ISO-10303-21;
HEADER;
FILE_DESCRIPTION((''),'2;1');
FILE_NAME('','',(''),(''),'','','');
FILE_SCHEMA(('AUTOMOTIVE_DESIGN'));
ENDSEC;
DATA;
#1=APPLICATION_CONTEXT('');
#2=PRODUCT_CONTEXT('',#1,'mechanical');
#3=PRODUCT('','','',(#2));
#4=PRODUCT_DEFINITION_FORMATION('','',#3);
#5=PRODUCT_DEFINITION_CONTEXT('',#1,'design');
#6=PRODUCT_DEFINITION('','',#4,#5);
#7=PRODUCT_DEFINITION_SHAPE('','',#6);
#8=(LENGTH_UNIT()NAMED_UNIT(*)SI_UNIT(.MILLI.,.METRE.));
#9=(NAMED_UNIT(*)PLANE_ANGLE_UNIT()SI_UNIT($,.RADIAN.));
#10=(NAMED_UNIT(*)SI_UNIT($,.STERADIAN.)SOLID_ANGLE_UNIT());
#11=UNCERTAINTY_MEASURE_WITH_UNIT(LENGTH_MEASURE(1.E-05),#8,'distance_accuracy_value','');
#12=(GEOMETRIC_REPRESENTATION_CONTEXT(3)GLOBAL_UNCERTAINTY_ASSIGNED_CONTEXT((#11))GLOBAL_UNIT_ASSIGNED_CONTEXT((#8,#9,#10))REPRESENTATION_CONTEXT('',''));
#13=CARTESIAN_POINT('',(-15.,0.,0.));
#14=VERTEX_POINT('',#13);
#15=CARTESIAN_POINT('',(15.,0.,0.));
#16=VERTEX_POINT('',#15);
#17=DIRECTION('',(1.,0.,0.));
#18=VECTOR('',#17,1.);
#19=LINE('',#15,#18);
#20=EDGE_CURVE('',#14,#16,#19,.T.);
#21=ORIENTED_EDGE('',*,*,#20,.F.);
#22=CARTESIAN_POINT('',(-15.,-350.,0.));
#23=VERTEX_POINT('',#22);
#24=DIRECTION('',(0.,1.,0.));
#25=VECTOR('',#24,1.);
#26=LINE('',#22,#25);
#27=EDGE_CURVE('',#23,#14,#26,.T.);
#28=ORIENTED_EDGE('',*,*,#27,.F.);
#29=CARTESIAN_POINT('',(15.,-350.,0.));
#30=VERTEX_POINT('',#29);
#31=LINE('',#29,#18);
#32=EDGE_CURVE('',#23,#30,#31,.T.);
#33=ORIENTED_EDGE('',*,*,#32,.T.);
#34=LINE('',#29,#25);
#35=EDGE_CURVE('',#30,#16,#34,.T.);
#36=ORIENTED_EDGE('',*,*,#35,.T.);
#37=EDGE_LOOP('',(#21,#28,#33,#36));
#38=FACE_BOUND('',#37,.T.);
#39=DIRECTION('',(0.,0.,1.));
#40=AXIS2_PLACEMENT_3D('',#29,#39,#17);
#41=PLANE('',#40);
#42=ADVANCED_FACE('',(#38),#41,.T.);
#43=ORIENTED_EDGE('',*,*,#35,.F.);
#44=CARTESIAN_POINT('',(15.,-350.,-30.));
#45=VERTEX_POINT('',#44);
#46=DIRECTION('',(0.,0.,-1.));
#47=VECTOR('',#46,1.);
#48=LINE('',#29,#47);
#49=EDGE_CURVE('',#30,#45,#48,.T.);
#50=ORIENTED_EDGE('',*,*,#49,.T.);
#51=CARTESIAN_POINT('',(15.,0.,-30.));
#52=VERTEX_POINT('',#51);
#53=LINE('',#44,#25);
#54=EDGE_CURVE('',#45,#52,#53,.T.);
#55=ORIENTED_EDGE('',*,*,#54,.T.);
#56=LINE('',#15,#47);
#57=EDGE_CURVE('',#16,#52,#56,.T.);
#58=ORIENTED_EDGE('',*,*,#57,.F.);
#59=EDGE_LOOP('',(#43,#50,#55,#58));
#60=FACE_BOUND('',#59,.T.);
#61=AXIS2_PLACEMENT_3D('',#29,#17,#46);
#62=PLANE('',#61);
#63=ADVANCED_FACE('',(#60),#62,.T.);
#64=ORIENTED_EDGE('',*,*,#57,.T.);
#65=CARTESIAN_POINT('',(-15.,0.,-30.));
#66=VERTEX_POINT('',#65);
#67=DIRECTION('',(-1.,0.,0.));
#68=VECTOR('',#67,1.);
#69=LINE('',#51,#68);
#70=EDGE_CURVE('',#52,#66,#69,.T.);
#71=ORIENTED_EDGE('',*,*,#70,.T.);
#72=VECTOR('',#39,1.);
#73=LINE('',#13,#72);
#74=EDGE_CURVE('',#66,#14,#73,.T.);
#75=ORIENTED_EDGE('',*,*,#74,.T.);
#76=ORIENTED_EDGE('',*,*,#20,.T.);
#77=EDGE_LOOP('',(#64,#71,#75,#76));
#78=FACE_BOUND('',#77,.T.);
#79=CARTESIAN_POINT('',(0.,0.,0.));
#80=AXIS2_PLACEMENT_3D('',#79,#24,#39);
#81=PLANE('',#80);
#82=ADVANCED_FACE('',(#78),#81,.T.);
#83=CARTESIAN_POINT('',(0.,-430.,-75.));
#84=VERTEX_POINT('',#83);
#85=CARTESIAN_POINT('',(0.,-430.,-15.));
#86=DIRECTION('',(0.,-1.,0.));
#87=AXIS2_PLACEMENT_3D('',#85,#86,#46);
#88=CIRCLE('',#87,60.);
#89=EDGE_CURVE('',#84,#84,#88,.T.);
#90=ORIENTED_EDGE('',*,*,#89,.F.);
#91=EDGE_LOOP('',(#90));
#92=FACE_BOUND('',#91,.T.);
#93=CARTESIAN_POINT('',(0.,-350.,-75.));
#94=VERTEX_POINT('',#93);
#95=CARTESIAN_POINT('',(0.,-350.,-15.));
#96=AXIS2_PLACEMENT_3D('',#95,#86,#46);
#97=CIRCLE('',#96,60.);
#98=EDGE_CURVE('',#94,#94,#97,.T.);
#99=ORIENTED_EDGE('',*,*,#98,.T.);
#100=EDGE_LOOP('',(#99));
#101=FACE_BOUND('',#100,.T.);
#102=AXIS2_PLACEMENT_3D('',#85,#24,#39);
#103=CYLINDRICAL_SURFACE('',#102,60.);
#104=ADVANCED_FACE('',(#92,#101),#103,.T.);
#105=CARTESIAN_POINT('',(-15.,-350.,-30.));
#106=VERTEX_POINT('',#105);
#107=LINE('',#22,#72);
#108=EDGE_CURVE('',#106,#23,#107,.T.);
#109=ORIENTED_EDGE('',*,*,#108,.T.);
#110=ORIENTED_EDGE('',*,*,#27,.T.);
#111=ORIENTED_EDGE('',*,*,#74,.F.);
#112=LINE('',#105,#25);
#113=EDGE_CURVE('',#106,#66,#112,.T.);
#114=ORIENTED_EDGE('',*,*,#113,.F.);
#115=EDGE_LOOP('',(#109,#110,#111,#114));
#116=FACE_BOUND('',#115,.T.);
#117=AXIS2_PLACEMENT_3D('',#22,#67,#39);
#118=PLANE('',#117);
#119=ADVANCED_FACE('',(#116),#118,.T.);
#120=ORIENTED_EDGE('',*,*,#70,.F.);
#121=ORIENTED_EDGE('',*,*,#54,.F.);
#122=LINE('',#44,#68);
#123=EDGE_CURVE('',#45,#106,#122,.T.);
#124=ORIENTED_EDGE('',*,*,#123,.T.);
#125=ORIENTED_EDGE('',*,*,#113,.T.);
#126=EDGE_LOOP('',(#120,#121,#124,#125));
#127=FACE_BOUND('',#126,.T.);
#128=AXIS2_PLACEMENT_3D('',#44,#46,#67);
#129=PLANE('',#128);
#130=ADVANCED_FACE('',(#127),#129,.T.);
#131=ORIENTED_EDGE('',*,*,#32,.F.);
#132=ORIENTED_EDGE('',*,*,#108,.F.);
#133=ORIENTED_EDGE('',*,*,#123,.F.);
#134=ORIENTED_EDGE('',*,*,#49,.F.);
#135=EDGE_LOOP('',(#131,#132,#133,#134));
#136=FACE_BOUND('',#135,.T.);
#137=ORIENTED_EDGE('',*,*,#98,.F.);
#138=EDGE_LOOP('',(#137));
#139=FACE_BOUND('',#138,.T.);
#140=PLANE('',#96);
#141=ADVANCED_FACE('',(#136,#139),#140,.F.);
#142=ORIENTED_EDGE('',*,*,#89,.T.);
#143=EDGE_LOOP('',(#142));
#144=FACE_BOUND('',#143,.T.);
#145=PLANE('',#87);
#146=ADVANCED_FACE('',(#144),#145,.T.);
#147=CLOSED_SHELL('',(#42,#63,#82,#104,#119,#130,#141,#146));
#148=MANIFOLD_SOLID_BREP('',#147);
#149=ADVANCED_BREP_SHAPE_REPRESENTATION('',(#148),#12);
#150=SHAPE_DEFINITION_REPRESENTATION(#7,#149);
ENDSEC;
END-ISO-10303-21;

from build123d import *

# Parameters (mm, degrees)
SKETCH1_W           = 30
SKETCH1_H           = 30
BOSS_EXTRUDE1_DEPTH = 350
SKETCH2_R           = 60
BOSS_EXTRUDE2_DEPTH = 80


with BuildPart() as part:
    # Sketch1 → Boss-Extrude1 (new body)
    with BuildSketch(Plane(origin=(0, 0, 0), x_dir=(1, 0, 0), z_dir=(0, 1, 0))):
        with Locations((0, 15)):
            Rectangle(SKETCH1_W, SKETCH1_H)
    extrude(amount=-BOSS_EXTRUDE1_DEPTH)

    # Sketch2 → Boss-Extrude2 (add)
    with BuildSketch(Plane.XZ.offset(350)):
        with Locations(Location((0, -15, 0), (0, 0, 270))):
            Circle(SKETCH2_R)
    extrude(amount=BOSS_EXTRUDE2_DEPTH)


solid = part.part
